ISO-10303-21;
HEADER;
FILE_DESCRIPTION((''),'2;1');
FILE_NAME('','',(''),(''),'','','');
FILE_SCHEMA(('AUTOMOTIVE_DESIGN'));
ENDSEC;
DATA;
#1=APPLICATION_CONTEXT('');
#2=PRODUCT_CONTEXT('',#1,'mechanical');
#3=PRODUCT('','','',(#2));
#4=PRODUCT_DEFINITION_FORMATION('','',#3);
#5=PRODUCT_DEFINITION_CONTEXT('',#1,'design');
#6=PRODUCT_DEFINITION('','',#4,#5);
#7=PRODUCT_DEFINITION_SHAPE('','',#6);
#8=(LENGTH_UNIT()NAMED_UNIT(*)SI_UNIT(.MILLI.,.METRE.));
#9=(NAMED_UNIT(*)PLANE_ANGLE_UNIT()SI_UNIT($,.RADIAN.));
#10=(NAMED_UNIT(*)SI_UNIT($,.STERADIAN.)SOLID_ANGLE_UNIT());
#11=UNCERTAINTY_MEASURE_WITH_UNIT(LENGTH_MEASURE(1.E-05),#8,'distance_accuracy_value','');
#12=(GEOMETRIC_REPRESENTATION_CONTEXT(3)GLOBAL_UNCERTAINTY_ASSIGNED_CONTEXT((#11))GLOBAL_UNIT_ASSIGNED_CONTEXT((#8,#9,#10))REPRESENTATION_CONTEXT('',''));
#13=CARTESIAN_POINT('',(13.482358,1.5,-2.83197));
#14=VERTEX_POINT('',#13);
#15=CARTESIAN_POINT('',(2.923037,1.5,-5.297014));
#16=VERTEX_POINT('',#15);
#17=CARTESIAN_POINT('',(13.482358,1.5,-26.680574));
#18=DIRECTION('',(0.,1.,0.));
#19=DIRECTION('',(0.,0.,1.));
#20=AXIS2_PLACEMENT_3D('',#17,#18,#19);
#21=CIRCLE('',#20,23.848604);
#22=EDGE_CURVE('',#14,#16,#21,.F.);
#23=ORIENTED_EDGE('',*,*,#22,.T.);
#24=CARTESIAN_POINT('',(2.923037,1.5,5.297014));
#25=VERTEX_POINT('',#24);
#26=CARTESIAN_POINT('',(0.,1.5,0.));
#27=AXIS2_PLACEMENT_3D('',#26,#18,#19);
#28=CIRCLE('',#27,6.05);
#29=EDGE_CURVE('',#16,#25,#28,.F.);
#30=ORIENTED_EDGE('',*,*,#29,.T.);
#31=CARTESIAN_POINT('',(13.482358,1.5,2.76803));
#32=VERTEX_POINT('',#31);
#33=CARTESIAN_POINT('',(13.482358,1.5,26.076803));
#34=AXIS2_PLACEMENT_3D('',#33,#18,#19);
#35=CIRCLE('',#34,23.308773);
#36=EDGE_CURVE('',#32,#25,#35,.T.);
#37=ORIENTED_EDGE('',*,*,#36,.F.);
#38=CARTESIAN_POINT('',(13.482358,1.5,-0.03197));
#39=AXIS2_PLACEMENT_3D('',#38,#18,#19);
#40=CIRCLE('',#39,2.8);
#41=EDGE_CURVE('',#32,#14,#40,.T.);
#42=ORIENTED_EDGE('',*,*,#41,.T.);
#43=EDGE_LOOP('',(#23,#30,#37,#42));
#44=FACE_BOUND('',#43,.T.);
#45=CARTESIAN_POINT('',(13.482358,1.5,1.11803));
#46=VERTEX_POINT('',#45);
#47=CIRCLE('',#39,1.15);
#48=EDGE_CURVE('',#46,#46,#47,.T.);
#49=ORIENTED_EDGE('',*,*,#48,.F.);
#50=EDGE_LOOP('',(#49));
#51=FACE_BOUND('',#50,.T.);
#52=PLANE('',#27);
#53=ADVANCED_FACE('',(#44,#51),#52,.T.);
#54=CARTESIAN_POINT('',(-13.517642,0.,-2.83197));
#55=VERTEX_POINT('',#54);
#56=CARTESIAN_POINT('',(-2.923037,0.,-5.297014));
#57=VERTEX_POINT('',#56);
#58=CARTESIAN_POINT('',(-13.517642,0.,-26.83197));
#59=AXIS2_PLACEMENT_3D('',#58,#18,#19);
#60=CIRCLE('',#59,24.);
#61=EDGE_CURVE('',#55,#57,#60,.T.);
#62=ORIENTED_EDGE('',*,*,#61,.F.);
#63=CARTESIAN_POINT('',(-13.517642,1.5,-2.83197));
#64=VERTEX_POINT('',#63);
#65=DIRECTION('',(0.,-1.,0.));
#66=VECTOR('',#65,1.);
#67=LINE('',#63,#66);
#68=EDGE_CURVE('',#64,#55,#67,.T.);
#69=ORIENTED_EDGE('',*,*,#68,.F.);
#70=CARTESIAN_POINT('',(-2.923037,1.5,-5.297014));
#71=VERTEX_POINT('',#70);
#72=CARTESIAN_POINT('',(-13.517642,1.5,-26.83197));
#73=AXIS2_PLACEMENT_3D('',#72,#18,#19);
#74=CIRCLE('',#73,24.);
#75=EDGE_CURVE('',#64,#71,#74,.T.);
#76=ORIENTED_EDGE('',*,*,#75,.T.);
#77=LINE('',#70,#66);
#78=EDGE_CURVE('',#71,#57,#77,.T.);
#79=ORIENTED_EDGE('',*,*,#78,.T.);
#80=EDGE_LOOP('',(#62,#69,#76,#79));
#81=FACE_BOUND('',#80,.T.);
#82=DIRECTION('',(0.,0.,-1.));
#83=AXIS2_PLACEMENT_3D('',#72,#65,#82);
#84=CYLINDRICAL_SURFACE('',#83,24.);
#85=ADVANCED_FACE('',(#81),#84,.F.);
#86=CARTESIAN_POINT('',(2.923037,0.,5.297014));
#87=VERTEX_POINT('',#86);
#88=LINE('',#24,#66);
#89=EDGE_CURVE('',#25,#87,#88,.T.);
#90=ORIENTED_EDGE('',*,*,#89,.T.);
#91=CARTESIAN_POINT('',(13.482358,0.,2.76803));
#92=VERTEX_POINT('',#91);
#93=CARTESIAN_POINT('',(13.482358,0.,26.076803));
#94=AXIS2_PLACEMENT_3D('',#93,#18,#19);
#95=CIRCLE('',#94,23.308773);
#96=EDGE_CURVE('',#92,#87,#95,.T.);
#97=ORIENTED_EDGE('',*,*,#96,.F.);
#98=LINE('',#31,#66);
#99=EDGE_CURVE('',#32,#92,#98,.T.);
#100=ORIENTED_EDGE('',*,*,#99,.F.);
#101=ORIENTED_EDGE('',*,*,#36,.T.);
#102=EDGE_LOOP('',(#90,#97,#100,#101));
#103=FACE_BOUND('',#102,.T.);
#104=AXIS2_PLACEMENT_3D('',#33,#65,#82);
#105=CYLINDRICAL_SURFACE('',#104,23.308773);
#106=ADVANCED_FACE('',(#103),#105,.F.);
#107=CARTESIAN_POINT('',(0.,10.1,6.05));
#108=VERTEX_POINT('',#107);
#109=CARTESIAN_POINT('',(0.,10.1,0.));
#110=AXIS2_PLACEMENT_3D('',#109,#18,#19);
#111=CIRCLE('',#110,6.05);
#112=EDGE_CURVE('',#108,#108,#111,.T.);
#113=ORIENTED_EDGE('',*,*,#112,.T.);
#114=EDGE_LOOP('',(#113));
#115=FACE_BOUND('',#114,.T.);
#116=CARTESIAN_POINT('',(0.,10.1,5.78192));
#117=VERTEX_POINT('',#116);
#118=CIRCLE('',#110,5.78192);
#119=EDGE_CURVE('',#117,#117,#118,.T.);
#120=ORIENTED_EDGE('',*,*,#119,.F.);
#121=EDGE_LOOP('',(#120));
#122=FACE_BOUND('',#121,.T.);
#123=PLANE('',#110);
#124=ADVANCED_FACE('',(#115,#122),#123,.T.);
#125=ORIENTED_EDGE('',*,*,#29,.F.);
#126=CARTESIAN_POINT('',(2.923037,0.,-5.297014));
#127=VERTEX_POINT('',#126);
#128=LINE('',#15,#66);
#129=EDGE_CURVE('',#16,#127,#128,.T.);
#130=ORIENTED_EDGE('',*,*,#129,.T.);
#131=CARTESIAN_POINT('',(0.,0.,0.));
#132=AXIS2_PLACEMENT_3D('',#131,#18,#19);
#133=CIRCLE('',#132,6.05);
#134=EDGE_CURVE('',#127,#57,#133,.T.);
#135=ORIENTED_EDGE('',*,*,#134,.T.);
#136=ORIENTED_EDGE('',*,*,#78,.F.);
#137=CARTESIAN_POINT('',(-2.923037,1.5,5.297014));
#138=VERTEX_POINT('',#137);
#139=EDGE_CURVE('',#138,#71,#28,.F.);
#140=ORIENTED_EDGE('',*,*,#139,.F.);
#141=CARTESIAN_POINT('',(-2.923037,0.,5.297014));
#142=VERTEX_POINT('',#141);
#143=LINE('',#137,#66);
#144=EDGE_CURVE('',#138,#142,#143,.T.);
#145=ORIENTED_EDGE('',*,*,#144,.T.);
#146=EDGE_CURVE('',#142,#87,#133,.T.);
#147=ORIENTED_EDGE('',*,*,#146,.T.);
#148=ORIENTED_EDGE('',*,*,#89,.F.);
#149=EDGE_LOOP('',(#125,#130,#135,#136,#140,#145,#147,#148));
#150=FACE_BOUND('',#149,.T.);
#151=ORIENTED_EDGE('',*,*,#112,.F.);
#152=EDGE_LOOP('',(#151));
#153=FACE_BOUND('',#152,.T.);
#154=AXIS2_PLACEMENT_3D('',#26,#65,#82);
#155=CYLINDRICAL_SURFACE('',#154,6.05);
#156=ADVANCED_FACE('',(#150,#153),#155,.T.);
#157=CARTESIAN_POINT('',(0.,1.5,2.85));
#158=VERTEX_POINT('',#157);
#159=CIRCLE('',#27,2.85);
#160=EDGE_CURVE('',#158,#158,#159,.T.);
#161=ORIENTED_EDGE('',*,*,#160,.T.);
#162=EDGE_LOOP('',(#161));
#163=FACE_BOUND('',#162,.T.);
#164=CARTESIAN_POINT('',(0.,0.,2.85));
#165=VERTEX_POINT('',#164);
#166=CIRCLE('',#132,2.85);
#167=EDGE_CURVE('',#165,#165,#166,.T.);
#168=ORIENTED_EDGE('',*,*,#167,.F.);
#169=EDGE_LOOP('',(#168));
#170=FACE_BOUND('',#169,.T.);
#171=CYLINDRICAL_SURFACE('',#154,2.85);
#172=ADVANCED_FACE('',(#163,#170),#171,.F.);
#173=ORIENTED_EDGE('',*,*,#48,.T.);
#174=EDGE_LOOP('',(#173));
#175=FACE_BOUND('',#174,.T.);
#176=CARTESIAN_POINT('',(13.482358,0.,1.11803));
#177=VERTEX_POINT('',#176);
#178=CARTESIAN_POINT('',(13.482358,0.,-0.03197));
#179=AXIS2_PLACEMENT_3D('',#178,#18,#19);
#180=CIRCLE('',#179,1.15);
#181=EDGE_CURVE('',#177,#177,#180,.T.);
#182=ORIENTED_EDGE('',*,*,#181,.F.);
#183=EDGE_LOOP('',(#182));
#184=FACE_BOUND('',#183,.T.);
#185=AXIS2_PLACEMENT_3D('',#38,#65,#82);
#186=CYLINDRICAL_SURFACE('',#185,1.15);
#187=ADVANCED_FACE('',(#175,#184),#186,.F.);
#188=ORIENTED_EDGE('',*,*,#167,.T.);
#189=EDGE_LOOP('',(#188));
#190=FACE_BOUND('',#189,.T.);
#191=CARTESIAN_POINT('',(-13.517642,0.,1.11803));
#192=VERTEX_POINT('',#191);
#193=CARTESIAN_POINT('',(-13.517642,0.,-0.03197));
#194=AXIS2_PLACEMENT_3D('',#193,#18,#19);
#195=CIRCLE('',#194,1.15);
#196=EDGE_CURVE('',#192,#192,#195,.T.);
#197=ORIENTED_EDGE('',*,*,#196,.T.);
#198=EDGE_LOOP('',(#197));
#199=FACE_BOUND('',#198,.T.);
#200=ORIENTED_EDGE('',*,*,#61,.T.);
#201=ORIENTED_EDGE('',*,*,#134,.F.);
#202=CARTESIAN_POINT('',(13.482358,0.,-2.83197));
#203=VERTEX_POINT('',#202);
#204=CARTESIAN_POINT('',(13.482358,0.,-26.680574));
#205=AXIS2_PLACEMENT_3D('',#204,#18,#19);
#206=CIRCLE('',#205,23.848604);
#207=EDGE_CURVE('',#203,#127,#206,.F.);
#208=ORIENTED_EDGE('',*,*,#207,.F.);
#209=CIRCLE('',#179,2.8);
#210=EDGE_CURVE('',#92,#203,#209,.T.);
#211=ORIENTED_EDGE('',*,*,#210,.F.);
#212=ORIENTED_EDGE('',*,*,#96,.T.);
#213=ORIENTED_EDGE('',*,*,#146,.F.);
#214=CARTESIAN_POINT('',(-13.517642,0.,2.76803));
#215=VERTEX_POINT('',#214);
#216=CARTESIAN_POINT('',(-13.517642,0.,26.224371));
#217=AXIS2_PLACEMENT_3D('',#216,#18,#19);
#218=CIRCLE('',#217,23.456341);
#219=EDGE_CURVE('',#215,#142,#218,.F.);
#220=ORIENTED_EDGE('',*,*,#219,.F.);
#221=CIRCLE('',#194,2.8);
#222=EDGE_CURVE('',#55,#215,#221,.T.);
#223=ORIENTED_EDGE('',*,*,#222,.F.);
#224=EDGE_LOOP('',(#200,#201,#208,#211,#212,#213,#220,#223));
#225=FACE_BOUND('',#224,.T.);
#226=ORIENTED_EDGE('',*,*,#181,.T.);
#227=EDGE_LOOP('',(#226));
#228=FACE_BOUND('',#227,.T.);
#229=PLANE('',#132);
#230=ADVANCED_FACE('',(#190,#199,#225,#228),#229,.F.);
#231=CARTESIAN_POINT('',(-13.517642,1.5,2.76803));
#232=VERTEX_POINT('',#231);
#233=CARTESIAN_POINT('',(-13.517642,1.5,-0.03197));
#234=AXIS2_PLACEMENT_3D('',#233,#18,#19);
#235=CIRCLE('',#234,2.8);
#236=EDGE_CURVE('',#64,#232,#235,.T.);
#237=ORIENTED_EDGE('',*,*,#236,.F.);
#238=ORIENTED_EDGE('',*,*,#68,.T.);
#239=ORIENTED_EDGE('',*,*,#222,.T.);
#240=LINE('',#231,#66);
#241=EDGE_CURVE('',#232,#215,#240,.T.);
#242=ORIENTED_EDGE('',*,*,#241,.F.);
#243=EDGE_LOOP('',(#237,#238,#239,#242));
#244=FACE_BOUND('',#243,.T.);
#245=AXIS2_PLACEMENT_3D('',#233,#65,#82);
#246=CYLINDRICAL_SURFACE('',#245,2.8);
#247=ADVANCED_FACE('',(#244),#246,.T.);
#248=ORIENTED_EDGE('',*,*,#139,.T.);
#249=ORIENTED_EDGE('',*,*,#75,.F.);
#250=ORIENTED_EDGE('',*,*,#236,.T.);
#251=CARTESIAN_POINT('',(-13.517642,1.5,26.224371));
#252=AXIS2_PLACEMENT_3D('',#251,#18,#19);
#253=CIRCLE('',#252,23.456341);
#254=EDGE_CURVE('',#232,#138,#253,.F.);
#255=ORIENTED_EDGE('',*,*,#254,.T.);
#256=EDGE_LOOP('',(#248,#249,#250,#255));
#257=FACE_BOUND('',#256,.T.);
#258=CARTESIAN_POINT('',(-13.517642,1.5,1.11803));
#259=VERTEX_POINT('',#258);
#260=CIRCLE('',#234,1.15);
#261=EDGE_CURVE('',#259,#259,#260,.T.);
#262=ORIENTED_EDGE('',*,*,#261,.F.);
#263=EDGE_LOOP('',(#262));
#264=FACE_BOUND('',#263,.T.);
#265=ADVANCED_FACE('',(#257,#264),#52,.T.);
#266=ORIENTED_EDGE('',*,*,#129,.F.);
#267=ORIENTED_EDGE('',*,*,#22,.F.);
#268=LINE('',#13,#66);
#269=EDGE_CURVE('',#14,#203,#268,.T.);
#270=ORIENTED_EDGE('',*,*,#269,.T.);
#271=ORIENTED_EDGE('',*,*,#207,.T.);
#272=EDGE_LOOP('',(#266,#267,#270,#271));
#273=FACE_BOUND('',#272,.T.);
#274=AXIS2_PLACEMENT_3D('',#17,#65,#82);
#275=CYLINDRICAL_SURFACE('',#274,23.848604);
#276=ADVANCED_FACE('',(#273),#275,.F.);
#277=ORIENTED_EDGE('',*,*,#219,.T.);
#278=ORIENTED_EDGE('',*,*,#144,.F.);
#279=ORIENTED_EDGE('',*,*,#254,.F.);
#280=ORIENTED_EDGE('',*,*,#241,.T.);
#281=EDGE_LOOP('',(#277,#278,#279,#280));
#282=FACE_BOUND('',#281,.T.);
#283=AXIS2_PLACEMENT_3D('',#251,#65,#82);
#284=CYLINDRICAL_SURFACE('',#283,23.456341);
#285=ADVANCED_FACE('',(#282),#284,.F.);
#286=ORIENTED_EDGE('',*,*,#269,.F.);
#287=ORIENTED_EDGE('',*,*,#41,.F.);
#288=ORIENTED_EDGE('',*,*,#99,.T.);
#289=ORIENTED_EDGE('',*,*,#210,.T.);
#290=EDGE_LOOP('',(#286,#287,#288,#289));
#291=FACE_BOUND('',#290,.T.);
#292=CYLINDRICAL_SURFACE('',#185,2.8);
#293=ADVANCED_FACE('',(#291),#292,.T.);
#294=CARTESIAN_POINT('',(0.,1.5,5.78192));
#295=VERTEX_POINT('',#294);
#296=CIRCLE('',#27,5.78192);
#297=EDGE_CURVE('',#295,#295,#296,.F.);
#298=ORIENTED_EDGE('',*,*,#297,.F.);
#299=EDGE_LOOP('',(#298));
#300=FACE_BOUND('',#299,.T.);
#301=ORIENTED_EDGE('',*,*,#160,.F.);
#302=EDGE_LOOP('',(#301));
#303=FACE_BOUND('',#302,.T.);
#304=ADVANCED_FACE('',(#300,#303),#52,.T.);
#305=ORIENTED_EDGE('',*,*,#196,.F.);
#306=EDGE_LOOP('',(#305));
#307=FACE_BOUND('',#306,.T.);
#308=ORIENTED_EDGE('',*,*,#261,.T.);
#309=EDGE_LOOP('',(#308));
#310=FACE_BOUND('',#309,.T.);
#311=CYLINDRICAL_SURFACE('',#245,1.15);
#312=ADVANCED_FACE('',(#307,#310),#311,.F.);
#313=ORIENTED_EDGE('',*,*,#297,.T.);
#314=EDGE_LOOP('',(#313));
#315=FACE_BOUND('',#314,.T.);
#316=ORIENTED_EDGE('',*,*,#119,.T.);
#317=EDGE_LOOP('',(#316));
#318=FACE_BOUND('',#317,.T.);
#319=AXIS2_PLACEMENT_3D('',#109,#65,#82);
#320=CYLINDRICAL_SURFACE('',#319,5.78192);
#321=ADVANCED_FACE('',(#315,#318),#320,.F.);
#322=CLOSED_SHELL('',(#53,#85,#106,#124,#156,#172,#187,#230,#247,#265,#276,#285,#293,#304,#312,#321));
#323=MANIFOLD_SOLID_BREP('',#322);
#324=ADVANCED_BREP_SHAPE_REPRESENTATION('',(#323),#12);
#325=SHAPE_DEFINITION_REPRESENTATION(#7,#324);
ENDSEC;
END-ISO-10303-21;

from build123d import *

# Parameters (mm, degrees)
SKETCH1_R           = 1.15
SKETCH1_R_2         = 6.05
SKETCH1_R_3         = 2.85
BOSS_EXTRUDE1_DEPTH = 1.5
SKETCH3_R           = 6.05
SKETCH3_R_2         = 5.781920351
BOSS_EXTRUDE6_DEPTH = 10.1


with BuildPart() as part:
    # Sketch1 → Boss-Extrude1 (new body)
    # profile 1 of 3: a face of its own
    with BuildSketch(Plane(origin=(0, 0, 0), x_dir=(1, 0, 0), z_dir=(0, 1, 0))):
        with BuildLine():
            ThreePointArc((-13.51764198, -2.768029891), (-8.071510009, -3.409034399), (-2.923037011, -5.297013747))
            ThreePointArc((-2.923037011, -5.297013747), (-6.05, 0), (-2.923037011, 5.297013747))
            ThreePointArc((-2.923037011, 5.297013747), (-8.078843984, 3.456352976), (-13.51764198, 2.831970109))
            ThreePointArc((-13.51764198, 2.831970109), (-16.31764198, 0.031970109), (-13.51764198, -2.768029891))
        make_face()
        with Locations(Location((-13.51764198, 0.031970109, 0), (0, 0, 270))):
            Circle(SKETCH1_R, mode=Mode.SUBTRACT)
    # profile 2 of 3: a face of its own
    with BuildSketch(Plane(origin=(0, 0, 0), x_dir=(1, 0, 0), z_dir=(0, 1, 0))):
        Circle(SKETCH1_R_2)
        with Locations(Location((0, 0, 0), (0, 0, 270))):
            Circle(SKETCH1_R_3, mode=Mode.SUBTRACT)
    # profile 3 of 3: a face of its own
    with BuildSketch(Plane(origin=(0, 0, 0), x_dir=(1, 0, 0), z_dir=(0, 1, 0))):
        with BuildLine():
            ThreePointArc((2.923037011, -5.297013747), (8.053384371, -3.409091417), (13.48235802, -2.768029891))
            ThreePointArc((13.48235802, -2.768029891), (16.28235802, 0.031970109), (13.48235802, 2.831970109))
            ThreePointArc((13.48235802, 2.831970109), (8.060741556, 3.456405922), (2.923037011, 5.297013747))
            ThreePointArc((2.923037011, 5.297013747), (5.209936368, 3.07555898), (6.05, 0))
            ThreePointArc((6.05, 0), (5.209936368, -3.07555898), (2.923037011, -5.297013747))
        make_face()
        with Locations(Location((13.48235802, 0.031970109, 0), (0, 0, 270))):
            Circle(SKETCH1_R, mode=Mode.SUBTRACT)
    extrude(amount=BOSS_EXTRUDE1_DEPTH)

    # Sketch3 → Boss-Extrude6 (add)
    with BuildSketch(Plane(origin=(0, 0, 0), x_dir=(1, 0, 0), z_dir=(0, 1, 0))):
        with Locations(Location((0, 0, 0), (0, 0, 118.891114763))):
            Circle(SKETCH3_R)
        with Locations(Location((0, 0, 0), (0, 0, 270))):
            Circle(SKETCH3_R_2, mode=Mode.SUBTRACT)
    extrude(amount=BOSS_EXTRUDE6_DEPTH)


solid = part.part
